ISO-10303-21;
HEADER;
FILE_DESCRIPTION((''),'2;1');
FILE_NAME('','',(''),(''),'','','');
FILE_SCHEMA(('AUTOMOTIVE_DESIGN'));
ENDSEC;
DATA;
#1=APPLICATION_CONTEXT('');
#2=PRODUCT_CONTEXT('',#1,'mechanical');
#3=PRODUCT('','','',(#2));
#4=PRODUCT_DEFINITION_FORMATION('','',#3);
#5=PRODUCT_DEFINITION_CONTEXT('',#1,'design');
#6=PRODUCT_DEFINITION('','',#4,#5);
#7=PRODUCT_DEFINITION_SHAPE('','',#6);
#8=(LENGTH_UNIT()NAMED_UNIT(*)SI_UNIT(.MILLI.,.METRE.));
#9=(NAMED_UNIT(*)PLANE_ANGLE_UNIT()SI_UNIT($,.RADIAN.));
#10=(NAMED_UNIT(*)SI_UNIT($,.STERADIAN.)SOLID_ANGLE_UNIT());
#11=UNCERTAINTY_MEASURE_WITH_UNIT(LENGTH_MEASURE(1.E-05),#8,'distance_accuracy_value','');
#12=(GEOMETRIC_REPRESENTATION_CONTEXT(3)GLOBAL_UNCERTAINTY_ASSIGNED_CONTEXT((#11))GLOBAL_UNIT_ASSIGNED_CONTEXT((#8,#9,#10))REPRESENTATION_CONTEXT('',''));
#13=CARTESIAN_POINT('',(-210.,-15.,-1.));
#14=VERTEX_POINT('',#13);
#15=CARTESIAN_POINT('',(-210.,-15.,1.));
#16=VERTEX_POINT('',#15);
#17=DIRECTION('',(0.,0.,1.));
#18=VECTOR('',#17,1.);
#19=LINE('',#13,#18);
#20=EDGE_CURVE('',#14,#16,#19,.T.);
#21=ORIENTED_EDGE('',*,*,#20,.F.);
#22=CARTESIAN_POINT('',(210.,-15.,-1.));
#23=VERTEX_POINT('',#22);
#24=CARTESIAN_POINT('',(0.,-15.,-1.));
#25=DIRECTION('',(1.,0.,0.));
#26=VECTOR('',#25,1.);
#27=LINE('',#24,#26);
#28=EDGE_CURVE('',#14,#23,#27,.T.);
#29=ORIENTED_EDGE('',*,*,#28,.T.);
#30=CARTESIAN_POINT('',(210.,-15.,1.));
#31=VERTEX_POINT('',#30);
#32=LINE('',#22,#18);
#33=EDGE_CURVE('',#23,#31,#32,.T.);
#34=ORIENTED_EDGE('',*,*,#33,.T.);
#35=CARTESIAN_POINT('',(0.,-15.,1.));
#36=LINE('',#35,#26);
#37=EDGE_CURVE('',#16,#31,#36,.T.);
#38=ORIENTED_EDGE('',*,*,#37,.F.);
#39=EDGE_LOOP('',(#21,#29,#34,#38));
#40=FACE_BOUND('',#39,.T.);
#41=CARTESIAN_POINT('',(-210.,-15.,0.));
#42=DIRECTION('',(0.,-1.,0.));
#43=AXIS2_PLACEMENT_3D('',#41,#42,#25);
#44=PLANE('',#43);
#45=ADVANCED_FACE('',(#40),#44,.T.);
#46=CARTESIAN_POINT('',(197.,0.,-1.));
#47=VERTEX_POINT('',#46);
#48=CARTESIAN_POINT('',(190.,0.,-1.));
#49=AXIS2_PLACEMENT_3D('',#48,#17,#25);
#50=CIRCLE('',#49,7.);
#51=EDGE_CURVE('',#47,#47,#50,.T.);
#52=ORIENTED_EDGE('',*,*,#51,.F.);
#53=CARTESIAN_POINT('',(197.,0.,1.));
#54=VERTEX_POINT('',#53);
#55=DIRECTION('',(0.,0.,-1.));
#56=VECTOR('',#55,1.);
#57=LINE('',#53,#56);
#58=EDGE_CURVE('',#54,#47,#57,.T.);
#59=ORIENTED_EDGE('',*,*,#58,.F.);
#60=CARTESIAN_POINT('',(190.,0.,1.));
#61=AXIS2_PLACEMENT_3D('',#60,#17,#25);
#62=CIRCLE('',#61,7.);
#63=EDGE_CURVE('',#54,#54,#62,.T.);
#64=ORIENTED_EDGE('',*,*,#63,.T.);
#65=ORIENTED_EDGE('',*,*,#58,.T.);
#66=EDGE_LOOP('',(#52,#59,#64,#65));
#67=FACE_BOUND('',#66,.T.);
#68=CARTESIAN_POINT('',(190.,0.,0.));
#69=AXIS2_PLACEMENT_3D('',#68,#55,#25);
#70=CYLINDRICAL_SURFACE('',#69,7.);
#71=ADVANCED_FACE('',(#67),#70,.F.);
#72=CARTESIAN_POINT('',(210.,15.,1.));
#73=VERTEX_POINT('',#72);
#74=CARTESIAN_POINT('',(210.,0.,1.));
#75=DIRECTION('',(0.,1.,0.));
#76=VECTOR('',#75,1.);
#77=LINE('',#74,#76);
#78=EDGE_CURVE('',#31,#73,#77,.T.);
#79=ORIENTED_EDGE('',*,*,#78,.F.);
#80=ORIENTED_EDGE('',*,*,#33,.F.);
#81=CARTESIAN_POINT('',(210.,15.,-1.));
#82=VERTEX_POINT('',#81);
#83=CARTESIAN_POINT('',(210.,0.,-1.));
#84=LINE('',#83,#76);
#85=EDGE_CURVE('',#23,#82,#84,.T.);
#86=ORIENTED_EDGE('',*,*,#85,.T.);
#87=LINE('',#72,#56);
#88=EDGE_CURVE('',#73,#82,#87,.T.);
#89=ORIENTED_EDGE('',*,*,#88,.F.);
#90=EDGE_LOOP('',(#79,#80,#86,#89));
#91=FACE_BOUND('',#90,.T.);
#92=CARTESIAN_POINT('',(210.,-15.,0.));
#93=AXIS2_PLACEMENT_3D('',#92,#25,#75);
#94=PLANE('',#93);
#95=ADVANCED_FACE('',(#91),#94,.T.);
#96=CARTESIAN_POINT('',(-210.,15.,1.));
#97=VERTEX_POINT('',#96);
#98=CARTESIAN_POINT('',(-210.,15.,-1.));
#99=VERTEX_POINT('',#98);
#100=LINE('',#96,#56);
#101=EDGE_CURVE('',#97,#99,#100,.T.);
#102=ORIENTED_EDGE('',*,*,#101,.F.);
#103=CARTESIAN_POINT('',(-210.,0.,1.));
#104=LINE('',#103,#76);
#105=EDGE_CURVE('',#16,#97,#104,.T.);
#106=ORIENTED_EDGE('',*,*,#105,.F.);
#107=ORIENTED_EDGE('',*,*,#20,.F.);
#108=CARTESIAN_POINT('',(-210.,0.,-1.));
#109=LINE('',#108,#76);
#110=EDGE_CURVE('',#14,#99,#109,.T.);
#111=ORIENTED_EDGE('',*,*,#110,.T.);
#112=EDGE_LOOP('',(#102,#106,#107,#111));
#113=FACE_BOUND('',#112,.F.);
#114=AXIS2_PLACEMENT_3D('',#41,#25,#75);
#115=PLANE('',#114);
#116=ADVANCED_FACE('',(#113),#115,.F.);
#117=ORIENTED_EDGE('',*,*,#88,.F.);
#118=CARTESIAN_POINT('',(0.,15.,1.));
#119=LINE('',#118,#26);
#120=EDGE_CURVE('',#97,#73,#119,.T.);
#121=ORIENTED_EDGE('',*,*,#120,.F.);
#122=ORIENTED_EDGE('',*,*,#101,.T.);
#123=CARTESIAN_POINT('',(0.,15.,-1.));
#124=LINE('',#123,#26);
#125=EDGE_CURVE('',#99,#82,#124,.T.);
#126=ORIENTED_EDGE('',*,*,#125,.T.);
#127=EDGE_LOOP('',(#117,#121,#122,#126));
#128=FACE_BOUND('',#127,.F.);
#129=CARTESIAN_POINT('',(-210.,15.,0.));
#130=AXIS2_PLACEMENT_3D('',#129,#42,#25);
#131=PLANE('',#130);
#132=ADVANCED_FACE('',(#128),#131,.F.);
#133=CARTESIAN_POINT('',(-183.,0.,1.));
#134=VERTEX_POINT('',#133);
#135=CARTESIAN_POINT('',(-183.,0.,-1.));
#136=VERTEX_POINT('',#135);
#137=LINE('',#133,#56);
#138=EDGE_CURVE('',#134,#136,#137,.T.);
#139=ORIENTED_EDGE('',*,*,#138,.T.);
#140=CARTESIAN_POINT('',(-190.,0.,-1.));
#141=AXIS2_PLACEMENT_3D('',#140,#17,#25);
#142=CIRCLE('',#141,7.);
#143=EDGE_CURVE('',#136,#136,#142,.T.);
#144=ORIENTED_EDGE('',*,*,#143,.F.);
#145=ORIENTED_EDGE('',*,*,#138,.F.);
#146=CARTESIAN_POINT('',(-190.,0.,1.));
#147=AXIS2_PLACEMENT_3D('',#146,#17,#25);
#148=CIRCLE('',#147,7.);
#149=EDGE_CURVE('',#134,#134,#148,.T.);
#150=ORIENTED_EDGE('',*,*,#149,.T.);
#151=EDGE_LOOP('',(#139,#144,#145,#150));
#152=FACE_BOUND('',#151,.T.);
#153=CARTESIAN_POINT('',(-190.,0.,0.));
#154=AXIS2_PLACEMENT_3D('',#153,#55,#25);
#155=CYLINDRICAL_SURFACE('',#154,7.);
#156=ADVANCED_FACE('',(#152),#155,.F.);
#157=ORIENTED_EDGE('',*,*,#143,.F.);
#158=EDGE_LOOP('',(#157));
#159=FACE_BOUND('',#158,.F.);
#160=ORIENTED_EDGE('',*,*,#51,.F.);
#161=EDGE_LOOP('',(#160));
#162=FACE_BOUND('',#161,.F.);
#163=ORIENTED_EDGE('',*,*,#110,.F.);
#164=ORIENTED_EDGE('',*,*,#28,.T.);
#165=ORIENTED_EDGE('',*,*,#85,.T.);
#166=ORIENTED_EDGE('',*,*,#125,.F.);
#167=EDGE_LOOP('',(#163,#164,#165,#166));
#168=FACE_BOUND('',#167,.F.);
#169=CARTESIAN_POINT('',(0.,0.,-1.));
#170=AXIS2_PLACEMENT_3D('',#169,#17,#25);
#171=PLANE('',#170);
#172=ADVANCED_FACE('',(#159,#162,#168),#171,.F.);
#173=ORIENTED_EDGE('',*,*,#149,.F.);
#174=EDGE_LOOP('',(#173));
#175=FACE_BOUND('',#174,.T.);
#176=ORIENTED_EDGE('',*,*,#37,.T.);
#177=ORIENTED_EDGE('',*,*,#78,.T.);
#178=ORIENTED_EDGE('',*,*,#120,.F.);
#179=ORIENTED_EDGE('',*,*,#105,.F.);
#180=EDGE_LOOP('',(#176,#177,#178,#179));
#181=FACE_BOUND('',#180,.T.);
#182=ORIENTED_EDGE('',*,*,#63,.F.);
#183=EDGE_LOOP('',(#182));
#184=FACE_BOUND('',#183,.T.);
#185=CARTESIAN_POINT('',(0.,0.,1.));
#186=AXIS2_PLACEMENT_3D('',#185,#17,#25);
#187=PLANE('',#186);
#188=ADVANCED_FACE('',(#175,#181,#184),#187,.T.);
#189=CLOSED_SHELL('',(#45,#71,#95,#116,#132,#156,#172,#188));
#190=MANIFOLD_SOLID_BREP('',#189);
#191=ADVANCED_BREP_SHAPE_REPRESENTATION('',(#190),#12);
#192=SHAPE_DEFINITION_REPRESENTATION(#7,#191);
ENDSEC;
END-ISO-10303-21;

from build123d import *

# Parameters (mm, degrees)
F1_W     = 420
F1_H     = 30
F1_R     = 7
F2_DEPTH = 1


with BuildPart() as f2:
    # F1 (on face) → F2 (new body, symmetric)
    with BuildSketch(Plane.XY):
        Rectangle(F1_W, F1_H)
        with Locations((-190, 0)):
            Circle(F1_R, mode=Mode.SUBTRACT)
        with Locations((190, 0)):
            Circle(F1_R, mode=Mode.SUBTRACT)
    extrude(amount=F2_DEPTH, both=True)


solid = f2.part
